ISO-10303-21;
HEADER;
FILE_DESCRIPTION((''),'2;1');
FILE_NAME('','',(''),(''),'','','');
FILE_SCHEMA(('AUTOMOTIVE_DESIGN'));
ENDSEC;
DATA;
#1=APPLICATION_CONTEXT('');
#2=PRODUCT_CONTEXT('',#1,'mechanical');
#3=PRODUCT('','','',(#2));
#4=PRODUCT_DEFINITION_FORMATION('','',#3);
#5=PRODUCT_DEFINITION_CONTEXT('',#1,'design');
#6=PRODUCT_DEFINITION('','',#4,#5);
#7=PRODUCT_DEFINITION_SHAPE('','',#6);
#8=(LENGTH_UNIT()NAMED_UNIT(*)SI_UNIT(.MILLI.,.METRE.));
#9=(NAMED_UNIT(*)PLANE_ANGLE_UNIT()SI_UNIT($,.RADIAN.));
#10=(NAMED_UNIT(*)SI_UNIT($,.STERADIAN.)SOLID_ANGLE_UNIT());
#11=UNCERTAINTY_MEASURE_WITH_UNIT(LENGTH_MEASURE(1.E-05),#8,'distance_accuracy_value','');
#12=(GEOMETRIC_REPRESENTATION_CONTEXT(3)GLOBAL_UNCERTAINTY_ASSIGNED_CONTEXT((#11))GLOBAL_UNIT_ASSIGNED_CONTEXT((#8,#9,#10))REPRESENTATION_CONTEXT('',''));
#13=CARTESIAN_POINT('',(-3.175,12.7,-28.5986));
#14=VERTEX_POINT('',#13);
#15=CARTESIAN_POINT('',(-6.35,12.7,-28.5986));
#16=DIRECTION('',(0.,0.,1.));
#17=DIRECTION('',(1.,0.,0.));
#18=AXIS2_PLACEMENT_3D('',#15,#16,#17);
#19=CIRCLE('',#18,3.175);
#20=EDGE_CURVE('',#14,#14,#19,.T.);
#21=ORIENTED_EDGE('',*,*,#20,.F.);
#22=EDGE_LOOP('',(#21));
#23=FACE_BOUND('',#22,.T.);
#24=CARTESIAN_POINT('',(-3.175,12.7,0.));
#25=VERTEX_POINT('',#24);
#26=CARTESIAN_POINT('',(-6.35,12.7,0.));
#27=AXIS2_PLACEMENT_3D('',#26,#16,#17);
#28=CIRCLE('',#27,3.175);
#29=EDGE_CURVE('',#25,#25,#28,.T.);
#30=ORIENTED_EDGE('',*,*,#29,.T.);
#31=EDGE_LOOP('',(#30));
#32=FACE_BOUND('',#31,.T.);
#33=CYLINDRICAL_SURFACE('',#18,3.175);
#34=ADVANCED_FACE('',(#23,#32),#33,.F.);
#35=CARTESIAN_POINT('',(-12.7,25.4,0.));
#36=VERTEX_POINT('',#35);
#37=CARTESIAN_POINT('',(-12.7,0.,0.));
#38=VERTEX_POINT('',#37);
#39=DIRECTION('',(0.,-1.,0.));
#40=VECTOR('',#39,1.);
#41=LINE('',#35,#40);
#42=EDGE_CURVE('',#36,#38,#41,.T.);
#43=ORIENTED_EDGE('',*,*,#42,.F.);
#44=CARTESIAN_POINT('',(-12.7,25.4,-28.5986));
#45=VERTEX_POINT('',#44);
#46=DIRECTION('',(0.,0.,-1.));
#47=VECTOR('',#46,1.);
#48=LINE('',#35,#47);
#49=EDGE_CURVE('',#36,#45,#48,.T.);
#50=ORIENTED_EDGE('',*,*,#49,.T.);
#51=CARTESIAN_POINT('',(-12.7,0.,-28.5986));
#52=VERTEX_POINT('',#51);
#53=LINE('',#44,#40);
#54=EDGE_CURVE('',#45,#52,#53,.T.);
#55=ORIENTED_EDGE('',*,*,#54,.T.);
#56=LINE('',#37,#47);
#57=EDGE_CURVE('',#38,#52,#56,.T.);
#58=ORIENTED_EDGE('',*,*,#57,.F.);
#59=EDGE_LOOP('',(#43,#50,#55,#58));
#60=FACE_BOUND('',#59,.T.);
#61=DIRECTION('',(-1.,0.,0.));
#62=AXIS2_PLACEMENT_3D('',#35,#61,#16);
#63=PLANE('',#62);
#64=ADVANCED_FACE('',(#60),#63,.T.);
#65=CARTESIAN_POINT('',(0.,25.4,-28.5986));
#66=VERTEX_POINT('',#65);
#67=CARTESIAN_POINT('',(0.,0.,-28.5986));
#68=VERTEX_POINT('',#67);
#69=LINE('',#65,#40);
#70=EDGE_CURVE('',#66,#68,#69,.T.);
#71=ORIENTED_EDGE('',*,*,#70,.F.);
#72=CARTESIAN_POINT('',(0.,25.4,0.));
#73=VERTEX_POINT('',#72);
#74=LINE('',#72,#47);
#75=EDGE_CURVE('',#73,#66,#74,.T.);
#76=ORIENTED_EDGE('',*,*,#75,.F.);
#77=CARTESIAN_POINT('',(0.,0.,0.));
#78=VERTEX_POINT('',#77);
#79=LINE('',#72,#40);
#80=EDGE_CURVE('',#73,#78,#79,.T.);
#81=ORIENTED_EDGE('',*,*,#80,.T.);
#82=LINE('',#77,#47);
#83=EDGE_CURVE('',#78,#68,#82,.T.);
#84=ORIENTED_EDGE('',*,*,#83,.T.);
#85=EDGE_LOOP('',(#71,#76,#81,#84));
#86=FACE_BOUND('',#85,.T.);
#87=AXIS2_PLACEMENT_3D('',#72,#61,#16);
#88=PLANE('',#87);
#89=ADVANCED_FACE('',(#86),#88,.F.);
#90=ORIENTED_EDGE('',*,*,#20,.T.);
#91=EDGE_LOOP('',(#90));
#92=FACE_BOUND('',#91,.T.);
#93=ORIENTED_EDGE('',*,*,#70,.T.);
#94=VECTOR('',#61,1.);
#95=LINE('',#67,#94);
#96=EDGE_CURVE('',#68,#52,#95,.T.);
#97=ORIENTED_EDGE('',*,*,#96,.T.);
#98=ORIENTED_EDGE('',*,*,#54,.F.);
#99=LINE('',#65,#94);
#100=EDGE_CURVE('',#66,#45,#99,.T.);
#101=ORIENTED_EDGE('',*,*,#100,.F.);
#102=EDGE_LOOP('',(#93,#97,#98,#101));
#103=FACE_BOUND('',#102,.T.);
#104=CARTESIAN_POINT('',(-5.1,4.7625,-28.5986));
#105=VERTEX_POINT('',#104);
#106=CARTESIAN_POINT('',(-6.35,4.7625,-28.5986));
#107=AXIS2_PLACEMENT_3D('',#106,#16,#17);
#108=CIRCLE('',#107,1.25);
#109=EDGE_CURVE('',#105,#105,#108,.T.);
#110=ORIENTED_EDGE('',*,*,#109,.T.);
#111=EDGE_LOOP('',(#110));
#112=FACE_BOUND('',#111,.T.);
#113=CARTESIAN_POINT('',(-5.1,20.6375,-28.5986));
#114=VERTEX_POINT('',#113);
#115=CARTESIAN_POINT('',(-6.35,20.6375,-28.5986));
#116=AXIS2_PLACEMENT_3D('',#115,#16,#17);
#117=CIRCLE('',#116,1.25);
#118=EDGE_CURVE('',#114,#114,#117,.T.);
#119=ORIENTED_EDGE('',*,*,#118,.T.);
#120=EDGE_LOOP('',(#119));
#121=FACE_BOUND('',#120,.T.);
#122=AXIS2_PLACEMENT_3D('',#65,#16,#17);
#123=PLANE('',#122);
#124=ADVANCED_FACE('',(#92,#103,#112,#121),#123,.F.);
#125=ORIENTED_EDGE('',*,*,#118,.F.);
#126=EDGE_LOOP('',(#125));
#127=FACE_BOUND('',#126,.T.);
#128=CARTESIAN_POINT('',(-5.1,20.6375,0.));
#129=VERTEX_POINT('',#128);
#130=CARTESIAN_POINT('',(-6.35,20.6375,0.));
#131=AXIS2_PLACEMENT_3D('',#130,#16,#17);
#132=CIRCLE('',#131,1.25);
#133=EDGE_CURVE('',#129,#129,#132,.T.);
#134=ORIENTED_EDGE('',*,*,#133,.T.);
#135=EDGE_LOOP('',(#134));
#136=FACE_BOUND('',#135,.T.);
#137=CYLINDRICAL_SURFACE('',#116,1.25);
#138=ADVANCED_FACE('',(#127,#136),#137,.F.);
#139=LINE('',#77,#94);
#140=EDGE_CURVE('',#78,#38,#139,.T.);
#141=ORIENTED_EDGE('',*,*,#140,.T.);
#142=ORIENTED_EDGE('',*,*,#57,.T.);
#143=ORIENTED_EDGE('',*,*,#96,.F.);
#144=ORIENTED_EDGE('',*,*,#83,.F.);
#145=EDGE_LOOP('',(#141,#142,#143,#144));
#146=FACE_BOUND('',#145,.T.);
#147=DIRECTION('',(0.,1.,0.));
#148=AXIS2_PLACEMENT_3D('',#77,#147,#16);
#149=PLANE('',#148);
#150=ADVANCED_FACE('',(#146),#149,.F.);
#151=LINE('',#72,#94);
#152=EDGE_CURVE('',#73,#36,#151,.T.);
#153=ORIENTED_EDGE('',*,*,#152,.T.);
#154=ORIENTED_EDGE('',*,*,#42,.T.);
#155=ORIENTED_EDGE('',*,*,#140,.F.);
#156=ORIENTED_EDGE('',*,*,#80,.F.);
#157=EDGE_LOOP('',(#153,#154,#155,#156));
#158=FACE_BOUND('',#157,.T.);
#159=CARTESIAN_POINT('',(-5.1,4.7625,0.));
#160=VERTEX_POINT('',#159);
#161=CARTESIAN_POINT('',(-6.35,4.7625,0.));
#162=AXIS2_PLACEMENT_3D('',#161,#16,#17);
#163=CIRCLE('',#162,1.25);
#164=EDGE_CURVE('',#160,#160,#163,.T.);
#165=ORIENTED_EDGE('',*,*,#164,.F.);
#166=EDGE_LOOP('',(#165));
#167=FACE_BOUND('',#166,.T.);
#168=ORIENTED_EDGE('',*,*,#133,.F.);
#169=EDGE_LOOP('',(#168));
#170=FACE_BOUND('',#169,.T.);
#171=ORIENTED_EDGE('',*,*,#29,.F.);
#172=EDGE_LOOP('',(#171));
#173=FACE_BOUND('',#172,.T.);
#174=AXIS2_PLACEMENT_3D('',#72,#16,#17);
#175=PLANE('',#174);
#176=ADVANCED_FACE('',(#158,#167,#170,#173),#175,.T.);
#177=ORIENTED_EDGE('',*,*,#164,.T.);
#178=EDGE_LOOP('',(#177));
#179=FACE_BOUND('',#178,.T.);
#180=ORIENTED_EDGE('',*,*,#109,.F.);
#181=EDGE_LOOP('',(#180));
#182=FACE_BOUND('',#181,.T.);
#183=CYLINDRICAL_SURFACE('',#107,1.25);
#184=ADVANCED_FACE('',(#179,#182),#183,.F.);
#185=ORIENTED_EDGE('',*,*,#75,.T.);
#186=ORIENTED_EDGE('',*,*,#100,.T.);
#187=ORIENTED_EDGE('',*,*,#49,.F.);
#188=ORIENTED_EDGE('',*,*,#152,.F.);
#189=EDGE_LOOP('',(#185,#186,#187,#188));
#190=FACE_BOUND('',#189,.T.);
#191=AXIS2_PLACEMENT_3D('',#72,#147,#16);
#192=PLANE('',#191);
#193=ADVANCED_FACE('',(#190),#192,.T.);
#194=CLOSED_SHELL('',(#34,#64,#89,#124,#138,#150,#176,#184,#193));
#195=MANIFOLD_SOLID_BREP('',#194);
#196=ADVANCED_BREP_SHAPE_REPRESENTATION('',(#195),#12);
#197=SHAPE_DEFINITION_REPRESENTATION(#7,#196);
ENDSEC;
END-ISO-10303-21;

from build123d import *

# Parameters (mm, degrees)
SKETCH1_W           = 12.7
SKETCH1_H           = 28.5986
BOSS_EXTRUDE1_DEPTH = 25.4
SKETCH2_R           = 3.175
SKETCH2_R_2         = 1.25
CUT_EXTRUDE1_DEPTH  = 41.302976589


with BuildPart() as part:
    # Sketch1 → Boss-Extrude1 (new body)
    with BuildSketch(Plane(origin=(0, 0, 0), x_dir=(1, 0, 0), z_dir=(0, 1, 0))):
        with Locations((-6.35, 14.2993)):
            Rectangle(SKETCH1_W, SKETCH1_H)
    extrude(amount=BOSS_EXTRUDE1_DEPTH)

    # Sketch2 → Cut-Extrude1 (cut, through all)
    with BuildSketch(Plane.XY):
        with Locations((-6.35, 12.7)):
            Circle(SKETCH2_R)
        with Locations((-6.35, 20.6375)):
            Circle(SKETCH2_R_2)
        with Locations((-6.35, 4.7625)):
            Circle(SKETCH2_R_2)
    extrude(amount=-CUT_EXTRUDE1_DEPTH, mode=Mode.SUBTRACT)


solid = part.part
